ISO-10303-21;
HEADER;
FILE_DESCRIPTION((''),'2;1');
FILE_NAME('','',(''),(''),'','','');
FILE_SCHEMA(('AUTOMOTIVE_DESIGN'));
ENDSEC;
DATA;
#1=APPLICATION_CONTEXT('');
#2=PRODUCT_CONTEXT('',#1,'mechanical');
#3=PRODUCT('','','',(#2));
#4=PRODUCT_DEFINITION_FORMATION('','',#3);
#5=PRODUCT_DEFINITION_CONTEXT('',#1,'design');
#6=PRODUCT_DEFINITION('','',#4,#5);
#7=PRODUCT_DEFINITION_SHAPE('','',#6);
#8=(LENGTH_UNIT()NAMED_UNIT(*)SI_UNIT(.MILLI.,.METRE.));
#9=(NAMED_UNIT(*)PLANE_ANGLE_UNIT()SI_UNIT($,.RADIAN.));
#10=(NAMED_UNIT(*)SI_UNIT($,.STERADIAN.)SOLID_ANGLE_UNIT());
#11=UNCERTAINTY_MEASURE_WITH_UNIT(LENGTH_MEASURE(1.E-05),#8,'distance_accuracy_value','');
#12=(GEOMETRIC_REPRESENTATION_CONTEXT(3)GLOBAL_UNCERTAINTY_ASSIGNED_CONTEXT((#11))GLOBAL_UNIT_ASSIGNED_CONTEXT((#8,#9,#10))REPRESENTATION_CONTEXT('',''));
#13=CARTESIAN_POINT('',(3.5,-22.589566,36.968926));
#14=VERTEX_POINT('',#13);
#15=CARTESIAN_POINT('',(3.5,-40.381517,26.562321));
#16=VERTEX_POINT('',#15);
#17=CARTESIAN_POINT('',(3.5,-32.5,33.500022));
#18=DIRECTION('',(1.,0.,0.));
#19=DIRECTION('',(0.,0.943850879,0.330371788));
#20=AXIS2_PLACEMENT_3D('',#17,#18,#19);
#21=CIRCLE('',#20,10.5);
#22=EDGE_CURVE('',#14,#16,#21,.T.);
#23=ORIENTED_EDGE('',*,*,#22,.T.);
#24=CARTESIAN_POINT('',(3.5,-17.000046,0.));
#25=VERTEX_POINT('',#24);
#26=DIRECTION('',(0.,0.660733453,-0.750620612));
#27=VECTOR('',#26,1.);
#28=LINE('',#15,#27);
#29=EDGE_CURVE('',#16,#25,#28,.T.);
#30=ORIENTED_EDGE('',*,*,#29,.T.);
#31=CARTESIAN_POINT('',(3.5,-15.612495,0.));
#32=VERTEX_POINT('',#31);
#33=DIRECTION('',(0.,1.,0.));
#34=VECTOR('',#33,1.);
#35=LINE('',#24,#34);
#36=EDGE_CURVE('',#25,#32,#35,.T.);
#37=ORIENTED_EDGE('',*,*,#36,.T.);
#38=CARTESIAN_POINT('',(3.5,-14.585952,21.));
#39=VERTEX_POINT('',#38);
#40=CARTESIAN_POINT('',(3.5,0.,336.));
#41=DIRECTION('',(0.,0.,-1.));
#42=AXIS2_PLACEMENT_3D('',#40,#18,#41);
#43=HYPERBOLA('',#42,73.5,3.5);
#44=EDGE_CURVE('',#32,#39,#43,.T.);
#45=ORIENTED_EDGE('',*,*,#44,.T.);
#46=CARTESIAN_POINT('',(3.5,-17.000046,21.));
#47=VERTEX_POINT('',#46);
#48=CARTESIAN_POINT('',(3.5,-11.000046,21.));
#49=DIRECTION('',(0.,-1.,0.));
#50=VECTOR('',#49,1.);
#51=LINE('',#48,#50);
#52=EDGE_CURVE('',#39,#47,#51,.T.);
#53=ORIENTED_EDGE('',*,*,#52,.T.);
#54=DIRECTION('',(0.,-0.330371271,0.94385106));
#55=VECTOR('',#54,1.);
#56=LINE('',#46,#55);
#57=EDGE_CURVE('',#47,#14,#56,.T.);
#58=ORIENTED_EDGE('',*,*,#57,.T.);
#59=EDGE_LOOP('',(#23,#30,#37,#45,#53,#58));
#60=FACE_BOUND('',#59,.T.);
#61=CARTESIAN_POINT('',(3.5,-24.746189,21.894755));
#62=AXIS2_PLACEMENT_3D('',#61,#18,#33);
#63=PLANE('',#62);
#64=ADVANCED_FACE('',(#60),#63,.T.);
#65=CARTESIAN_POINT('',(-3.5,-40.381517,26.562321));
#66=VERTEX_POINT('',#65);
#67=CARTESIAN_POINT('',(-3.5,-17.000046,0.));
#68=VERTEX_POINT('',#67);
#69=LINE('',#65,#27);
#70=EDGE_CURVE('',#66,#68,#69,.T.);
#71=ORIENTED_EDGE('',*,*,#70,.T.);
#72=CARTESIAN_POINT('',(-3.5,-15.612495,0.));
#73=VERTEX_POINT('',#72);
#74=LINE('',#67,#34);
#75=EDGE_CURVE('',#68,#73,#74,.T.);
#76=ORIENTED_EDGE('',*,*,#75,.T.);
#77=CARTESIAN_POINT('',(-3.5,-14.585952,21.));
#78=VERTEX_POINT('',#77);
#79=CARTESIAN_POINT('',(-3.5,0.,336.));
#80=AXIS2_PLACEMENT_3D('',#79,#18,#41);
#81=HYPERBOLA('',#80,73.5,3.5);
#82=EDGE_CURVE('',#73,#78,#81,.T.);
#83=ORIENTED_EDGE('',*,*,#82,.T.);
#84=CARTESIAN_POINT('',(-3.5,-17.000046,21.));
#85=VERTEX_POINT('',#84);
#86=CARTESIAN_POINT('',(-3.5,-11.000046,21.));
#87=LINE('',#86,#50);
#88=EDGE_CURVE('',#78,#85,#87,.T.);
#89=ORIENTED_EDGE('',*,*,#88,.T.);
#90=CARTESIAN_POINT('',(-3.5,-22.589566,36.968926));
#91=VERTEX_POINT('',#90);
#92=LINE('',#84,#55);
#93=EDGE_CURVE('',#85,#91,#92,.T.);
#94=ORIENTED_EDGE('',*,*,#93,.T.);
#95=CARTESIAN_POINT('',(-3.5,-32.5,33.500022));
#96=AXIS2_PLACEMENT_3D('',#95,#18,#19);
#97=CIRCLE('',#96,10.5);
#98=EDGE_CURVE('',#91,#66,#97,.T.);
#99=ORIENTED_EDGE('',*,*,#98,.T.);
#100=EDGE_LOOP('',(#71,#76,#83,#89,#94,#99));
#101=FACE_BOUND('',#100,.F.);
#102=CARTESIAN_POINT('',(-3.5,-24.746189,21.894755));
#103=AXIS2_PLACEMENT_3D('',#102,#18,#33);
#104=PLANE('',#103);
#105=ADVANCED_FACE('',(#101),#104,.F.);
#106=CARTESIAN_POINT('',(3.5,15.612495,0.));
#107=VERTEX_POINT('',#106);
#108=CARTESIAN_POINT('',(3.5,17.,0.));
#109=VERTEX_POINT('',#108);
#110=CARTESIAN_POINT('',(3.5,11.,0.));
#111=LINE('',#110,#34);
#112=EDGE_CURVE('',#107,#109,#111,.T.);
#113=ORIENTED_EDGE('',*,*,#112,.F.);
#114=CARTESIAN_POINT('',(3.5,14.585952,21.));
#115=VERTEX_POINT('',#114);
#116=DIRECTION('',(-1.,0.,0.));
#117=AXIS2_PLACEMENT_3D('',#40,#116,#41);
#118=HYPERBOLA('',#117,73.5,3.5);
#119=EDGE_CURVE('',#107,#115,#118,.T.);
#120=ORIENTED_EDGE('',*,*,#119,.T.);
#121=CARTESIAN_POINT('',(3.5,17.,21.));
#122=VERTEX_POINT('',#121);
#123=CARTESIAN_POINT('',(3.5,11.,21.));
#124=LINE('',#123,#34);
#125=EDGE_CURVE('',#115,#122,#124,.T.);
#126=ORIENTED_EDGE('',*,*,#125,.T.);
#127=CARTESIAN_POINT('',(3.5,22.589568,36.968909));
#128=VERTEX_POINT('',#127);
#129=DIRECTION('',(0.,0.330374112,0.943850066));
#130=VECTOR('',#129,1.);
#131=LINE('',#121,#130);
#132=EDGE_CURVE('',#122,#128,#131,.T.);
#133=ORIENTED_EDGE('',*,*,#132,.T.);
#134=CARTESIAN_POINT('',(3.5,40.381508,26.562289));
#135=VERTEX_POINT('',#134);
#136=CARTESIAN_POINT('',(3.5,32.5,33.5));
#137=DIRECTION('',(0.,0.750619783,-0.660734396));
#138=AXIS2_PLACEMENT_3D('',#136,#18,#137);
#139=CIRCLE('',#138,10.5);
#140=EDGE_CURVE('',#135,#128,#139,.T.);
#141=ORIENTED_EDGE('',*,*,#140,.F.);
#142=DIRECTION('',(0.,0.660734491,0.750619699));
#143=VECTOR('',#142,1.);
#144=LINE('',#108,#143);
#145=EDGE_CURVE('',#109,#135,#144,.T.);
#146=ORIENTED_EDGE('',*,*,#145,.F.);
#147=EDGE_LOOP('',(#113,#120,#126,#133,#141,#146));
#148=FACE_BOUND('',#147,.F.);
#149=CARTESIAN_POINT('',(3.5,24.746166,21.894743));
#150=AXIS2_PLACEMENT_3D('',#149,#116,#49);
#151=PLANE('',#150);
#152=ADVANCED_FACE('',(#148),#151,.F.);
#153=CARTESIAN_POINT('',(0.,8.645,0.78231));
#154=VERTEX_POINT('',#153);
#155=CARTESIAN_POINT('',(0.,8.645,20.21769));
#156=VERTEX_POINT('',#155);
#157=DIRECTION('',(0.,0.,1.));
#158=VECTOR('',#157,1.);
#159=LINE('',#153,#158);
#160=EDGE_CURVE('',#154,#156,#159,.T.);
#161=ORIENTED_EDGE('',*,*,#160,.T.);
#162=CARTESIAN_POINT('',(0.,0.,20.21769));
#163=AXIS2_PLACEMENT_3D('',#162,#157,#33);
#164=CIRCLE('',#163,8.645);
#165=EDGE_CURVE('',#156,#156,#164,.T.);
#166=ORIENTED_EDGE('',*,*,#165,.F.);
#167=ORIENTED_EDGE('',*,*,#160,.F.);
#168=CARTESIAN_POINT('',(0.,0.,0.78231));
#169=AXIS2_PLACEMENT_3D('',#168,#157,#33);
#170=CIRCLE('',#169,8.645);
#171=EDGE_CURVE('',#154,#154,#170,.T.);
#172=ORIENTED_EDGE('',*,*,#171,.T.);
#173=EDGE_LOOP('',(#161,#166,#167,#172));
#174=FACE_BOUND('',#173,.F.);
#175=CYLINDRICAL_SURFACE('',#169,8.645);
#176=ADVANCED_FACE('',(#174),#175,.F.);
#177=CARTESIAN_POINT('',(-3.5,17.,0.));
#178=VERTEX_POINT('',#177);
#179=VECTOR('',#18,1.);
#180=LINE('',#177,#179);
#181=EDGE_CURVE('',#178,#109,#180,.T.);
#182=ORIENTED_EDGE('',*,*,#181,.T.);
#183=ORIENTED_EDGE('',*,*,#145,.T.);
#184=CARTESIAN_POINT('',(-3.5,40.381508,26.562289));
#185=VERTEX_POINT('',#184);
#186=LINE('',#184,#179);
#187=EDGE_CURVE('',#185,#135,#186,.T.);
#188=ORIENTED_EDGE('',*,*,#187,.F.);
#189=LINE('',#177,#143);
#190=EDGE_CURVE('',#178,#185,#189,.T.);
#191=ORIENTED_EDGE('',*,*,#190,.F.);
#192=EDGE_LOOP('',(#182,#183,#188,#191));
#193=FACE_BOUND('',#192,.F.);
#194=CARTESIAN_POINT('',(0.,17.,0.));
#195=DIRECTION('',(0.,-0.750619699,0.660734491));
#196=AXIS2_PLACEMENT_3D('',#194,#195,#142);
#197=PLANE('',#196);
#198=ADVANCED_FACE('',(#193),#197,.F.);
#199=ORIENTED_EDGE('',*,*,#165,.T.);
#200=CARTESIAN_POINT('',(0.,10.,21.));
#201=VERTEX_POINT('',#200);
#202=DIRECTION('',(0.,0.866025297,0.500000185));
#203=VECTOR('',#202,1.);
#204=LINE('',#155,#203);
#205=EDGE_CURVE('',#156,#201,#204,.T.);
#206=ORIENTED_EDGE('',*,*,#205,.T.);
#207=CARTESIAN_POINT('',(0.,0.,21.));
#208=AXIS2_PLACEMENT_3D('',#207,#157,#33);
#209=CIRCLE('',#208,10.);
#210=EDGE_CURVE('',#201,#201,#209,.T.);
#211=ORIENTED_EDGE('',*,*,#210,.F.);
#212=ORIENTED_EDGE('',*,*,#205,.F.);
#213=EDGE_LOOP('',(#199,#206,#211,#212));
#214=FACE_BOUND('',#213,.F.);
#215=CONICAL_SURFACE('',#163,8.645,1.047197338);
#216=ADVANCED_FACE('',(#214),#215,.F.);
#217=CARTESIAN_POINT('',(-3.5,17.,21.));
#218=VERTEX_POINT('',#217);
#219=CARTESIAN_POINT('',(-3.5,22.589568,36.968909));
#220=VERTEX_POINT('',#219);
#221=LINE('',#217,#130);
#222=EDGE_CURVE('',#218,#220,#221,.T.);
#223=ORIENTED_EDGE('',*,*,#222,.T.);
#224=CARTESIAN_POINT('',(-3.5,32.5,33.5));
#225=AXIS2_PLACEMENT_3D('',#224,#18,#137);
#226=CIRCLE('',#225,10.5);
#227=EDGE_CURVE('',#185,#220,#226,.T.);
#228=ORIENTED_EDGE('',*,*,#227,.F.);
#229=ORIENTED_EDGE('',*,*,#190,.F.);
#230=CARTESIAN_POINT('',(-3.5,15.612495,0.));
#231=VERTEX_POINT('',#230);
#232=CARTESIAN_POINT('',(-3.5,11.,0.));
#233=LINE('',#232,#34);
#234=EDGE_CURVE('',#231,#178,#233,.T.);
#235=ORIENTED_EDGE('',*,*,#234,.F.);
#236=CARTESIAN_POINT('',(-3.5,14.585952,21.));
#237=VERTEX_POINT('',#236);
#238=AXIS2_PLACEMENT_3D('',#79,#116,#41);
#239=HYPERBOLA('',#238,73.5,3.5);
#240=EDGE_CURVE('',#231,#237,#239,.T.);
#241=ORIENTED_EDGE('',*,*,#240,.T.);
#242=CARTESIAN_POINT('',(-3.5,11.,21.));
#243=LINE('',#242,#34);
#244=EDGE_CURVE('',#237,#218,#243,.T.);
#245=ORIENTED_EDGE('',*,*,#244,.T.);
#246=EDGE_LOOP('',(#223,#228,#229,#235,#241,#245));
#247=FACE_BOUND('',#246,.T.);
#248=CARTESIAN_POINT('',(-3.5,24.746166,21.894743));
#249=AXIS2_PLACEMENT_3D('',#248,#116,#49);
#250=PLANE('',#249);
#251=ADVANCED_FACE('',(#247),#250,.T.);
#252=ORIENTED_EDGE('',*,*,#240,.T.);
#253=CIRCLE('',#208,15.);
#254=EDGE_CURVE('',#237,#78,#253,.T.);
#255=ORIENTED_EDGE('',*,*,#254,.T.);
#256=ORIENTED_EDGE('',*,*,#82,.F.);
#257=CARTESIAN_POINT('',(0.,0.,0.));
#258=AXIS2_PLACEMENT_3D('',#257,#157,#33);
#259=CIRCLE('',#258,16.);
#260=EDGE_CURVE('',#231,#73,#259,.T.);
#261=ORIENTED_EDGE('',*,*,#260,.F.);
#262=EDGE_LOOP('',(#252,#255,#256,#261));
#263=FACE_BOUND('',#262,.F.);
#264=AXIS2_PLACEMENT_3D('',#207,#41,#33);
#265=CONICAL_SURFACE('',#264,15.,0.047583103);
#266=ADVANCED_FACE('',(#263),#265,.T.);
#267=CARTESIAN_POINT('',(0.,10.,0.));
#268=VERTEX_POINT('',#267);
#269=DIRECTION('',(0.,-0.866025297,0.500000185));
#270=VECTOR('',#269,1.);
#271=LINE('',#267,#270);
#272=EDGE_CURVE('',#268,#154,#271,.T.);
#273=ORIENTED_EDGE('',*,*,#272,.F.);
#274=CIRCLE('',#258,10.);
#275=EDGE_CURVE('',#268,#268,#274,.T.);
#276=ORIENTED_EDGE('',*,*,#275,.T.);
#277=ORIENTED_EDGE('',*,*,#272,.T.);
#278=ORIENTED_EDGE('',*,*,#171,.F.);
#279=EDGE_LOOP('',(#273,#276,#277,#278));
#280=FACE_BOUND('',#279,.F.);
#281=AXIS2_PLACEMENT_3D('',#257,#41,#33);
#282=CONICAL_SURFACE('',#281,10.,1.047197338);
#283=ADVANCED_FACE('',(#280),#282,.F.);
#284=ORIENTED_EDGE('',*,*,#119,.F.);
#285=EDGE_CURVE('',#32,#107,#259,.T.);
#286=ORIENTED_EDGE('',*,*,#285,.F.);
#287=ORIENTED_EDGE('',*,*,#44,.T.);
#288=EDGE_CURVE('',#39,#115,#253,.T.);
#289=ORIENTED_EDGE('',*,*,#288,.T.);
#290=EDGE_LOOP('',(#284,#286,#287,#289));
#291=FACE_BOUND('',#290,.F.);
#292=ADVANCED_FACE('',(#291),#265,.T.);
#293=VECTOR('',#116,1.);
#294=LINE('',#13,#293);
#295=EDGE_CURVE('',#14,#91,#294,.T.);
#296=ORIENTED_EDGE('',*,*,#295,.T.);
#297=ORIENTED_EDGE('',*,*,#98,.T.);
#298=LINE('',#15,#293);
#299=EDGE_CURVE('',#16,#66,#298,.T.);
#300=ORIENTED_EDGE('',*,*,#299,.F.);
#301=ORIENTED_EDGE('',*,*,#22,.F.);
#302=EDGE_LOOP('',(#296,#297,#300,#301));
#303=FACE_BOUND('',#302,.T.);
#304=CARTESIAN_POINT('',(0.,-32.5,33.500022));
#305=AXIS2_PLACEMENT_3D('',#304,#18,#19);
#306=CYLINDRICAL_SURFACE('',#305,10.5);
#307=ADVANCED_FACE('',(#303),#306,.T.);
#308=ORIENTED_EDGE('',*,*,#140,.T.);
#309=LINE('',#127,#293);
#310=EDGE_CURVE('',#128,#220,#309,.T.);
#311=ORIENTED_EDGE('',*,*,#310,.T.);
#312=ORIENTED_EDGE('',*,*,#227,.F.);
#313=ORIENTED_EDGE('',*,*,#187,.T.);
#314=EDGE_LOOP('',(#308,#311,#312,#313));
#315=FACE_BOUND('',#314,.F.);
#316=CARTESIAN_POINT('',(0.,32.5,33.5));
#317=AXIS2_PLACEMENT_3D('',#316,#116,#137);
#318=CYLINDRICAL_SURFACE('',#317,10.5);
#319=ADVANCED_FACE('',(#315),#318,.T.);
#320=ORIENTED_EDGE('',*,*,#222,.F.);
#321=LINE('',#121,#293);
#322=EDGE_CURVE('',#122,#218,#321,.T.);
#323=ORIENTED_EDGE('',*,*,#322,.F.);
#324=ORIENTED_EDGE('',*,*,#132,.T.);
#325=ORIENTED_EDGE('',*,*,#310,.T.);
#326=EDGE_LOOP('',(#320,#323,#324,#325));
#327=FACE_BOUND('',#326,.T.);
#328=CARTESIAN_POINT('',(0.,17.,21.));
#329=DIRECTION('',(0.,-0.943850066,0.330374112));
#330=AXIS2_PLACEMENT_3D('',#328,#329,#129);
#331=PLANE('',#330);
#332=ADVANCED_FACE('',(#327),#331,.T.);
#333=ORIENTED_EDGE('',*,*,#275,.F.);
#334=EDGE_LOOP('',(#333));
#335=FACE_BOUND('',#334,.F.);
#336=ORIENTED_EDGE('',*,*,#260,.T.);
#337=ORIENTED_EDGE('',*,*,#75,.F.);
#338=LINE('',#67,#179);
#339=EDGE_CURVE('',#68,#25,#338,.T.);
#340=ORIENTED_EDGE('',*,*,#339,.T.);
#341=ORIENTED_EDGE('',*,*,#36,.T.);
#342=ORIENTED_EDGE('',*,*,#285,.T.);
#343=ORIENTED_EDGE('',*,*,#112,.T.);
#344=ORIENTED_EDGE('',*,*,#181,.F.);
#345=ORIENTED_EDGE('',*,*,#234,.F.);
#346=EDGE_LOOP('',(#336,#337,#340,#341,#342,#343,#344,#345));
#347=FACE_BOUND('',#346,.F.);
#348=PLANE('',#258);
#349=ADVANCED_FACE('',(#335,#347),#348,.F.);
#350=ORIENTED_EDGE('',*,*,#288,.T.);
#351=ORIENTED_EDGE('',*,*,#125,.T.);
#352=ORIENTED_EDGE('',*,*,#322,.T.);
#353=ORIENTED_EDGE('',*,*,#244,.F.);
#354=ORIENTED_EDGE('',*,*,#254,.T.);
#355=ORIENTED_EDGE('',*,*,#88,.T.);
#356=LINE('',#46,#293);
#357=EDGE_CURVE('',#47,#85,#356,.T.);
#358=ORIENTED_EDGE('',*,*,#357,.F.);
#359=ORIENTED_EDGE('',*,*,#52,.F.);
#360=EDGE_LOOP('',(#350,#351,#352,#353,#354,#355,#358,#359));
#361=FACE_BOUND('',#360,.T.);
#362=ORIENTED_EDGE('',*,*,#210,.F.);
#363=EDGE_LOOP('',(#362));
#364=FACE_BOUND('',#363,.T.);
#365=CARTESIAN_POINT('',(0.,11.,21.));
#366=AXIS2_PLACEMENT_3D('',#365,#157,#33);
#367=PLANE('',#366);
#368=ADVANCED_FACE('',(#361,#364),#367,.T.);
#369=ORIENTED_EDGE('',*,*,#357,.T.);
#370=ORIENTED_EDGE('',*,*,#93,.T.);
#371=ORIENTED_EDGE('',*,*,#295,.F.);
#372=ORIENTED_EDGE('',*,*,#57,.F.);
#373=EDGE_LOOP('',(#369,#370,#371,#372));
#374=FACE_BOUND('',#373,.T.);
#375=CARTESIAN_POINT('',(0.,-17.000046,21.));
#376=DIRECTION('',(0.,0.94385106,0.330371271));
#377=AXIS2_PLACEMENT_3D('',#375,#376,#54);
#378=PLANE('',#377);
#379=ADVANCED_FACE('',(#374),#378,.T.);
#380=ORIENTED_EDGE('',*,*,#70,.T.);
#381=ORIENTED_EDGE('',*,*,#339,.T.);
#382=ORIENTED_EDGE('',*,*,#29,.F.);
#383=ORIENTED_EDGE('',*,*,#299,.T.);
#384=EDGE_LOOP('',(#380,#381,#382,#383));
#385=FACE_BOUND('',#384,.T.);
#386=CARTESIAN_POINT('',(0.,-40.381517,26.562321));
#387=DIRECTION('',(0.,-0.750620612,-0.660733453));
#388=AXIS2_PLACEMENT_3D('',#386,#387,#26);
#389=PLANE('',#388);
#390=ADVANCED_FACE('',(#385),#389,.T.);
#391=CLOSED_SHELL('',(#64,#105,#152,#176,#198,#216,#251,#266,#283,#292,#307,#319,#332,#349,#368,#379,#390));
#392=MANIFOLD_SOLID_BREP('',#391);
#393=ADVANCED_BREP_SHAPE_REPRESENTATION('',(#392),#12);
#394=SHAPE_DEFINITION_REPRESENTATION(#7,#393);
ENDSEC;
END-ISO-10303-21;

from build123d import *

# Parameters (mm, degrees)
PAD_DEPTH = 3.5


with BuildPart() as pad:
    # Sketch001 → Pad (new body, symmetric)
    with BuildSketch(Plane.YZ):
        with BuildLine():
            Line((11, 0), (11, 21))
            Line((11, 21), (17, 21))
            Line((17, 21), (22.589568, 36.968909))
            ThreePointArc((40.381508, 26.562289), (37.80128, 42.563467), (22.589568, 36.968909))
            Line((17, 0), (40.381508, 26.562289))
            Line((11, 0), (17, 0))
        make_face()
        with BuildLine():
            Line((-40.381517, 26.562321), (-17.000046, 0))
            Line((-17.000046, 0), (-11.000046, 0))
            Line((-11.000046, 0), (-11.000046, 21))
            Line((-11.000046, 21), (-17.000046, 21))
            Line((-17.000046, 21), (-22.589566, 36.968926))
            ThreePointArc((-22.589566, 36.968926), (-37.801272, 42.563494), (-40.381517, 26.562321))
        make_face()
    extrude(amount=PAD_DEPTH, both=True)


with BuildPart() as fl_gelmutter_din_315_m20:
    # Sketch → Revolution (revolve)
    with BuildSketch(Plane.YZ):
        Polygon((10, 0), (8.645, 0.78231), (8.645, 20.21769), (10, 21), (15, 21), (16, 0), align=None)
    revolve(axis=Axis((0, 0, 0), (0, 0, 1)))

    # Fusion: union Pad
    add(pad.part)


solid = fl_gelmutter_din_315_m20.part
